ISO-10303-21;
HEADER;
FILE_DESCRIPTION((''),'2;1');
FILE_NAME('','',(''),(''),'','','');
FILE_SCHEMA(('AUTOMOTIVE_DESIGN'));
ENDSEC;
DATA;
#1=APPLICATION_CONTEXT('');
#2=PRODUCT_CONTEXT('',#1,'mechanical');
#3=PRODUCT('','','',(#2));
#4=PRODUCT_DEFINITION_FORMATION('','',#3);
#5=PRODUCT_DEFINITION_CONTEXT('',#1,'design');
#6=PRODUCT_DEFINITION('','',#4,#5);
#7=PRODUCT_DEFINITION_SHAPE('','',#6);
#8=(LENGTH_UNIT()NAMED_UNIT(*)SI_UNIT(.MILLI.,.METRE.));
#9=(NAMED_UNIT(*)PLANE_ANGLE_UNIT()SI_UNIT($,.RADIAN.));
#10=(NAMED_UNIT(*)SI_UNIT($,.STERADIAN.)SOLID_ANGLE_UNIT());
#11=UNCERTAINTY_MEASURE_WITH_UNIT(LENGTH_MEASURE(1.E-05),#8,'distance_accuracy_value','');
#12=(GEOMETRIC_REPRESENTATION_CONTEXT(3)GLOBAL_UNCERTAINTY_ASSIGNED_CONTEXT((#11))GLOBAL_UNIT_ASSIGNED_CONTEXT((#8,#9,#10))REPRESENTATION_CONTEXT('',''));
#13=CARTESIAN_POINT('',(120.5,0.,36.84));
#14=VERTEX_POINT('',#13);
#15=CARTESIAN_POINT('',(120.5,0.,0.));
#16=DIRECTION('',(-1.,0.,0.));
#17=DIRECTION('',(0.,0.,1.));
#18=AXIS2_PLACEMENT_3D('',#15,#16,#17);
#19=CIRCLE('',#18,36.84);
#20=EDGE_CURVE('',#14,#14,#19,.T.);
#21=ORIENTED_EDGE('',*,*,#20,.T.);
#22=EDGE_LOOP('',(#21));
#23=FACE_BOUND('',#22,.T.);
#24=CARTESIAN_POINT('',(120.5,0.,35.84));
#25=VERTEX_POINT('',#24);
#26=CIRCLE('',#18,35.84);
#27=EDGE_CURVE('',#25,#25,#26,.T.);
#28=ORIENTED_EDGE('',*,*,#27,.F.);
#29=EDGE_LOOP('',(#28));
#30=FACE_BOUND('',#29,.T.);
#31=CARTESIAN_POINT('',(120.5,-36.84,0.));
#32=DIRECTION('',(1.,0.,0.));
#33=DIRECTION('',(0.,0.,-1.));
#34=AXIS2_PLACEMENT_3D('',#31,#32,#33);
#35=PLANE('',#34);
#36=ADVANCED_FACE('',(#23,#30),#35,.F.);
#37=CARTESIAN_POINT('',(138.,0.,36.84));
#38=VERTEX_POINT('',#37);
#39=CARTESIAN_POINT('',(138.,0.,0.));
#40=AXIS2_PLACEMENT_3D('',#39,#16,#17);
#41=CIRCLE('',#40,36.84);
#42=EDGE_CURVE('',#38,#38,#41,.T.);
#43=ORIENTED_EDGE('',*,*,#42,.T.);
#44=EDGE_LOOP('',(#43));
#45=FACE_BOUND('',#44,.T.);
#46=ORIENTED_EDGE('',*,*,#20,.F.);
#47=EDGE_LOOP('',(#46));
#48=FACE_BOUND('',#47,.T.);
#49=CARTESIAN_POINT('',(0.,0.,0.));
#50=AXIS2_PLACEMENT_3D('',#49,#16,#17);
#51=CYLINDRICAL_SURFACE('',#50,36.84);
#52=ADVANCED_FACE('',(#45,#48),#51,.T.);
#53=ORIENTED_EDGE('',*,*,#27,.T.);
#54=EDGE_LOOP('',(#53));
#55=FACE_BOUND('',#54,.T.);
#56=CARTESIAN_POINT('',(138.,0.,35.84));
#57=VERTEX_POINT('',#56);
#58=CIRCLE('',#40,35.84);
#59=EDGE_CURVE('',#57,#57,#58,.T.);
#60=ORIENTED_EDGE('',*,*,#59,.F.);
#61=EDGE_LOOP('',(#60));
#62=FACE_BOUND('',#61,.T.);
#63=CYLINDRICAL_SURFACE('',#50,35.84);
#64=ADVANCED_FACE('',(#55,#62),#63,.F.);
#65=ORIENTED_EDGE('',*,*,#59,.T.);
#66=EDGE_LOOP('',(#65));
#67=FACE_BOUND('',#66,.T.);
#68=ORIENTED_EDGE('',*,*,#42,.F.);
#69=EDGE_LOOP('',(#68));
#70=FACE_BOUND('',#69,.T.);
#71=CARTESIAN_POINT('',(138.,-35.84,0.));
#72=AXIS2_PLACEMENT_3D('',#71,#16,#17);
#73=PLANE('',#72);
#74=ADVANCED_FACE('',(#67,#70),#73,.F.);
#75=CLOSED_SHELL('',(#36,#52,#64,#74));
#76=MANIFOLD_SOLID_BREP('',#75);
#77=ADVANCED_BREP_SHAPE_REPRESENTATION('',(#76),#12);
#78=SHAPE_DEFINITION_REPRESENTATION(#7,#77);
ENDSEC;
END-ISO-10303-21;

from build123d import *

# Parameters (mm, degrees)
ESQUISSE1_W = 17.5
ESQUISSE1_H = 1


with BuildPart() as part:
    # Esquisse1 → Base-Révol.-Mince (revolve)
    with BuildSketch(Plane.XY, mode=Mode.PRIVATE) as base_r_vol_mince_sk:
        with Locations((129.25, -36.34)):
            Rectangle(ESQUISSE1_W, ESQUISSE1_H)
    revolve(base_r_vol_mince_sk.sketch.rotate(Axis((0, 0, 0), (1, 0, 0)), 270), axis=Axis((0, 0, 0), (1, 0, 0)))


solid = part.part
